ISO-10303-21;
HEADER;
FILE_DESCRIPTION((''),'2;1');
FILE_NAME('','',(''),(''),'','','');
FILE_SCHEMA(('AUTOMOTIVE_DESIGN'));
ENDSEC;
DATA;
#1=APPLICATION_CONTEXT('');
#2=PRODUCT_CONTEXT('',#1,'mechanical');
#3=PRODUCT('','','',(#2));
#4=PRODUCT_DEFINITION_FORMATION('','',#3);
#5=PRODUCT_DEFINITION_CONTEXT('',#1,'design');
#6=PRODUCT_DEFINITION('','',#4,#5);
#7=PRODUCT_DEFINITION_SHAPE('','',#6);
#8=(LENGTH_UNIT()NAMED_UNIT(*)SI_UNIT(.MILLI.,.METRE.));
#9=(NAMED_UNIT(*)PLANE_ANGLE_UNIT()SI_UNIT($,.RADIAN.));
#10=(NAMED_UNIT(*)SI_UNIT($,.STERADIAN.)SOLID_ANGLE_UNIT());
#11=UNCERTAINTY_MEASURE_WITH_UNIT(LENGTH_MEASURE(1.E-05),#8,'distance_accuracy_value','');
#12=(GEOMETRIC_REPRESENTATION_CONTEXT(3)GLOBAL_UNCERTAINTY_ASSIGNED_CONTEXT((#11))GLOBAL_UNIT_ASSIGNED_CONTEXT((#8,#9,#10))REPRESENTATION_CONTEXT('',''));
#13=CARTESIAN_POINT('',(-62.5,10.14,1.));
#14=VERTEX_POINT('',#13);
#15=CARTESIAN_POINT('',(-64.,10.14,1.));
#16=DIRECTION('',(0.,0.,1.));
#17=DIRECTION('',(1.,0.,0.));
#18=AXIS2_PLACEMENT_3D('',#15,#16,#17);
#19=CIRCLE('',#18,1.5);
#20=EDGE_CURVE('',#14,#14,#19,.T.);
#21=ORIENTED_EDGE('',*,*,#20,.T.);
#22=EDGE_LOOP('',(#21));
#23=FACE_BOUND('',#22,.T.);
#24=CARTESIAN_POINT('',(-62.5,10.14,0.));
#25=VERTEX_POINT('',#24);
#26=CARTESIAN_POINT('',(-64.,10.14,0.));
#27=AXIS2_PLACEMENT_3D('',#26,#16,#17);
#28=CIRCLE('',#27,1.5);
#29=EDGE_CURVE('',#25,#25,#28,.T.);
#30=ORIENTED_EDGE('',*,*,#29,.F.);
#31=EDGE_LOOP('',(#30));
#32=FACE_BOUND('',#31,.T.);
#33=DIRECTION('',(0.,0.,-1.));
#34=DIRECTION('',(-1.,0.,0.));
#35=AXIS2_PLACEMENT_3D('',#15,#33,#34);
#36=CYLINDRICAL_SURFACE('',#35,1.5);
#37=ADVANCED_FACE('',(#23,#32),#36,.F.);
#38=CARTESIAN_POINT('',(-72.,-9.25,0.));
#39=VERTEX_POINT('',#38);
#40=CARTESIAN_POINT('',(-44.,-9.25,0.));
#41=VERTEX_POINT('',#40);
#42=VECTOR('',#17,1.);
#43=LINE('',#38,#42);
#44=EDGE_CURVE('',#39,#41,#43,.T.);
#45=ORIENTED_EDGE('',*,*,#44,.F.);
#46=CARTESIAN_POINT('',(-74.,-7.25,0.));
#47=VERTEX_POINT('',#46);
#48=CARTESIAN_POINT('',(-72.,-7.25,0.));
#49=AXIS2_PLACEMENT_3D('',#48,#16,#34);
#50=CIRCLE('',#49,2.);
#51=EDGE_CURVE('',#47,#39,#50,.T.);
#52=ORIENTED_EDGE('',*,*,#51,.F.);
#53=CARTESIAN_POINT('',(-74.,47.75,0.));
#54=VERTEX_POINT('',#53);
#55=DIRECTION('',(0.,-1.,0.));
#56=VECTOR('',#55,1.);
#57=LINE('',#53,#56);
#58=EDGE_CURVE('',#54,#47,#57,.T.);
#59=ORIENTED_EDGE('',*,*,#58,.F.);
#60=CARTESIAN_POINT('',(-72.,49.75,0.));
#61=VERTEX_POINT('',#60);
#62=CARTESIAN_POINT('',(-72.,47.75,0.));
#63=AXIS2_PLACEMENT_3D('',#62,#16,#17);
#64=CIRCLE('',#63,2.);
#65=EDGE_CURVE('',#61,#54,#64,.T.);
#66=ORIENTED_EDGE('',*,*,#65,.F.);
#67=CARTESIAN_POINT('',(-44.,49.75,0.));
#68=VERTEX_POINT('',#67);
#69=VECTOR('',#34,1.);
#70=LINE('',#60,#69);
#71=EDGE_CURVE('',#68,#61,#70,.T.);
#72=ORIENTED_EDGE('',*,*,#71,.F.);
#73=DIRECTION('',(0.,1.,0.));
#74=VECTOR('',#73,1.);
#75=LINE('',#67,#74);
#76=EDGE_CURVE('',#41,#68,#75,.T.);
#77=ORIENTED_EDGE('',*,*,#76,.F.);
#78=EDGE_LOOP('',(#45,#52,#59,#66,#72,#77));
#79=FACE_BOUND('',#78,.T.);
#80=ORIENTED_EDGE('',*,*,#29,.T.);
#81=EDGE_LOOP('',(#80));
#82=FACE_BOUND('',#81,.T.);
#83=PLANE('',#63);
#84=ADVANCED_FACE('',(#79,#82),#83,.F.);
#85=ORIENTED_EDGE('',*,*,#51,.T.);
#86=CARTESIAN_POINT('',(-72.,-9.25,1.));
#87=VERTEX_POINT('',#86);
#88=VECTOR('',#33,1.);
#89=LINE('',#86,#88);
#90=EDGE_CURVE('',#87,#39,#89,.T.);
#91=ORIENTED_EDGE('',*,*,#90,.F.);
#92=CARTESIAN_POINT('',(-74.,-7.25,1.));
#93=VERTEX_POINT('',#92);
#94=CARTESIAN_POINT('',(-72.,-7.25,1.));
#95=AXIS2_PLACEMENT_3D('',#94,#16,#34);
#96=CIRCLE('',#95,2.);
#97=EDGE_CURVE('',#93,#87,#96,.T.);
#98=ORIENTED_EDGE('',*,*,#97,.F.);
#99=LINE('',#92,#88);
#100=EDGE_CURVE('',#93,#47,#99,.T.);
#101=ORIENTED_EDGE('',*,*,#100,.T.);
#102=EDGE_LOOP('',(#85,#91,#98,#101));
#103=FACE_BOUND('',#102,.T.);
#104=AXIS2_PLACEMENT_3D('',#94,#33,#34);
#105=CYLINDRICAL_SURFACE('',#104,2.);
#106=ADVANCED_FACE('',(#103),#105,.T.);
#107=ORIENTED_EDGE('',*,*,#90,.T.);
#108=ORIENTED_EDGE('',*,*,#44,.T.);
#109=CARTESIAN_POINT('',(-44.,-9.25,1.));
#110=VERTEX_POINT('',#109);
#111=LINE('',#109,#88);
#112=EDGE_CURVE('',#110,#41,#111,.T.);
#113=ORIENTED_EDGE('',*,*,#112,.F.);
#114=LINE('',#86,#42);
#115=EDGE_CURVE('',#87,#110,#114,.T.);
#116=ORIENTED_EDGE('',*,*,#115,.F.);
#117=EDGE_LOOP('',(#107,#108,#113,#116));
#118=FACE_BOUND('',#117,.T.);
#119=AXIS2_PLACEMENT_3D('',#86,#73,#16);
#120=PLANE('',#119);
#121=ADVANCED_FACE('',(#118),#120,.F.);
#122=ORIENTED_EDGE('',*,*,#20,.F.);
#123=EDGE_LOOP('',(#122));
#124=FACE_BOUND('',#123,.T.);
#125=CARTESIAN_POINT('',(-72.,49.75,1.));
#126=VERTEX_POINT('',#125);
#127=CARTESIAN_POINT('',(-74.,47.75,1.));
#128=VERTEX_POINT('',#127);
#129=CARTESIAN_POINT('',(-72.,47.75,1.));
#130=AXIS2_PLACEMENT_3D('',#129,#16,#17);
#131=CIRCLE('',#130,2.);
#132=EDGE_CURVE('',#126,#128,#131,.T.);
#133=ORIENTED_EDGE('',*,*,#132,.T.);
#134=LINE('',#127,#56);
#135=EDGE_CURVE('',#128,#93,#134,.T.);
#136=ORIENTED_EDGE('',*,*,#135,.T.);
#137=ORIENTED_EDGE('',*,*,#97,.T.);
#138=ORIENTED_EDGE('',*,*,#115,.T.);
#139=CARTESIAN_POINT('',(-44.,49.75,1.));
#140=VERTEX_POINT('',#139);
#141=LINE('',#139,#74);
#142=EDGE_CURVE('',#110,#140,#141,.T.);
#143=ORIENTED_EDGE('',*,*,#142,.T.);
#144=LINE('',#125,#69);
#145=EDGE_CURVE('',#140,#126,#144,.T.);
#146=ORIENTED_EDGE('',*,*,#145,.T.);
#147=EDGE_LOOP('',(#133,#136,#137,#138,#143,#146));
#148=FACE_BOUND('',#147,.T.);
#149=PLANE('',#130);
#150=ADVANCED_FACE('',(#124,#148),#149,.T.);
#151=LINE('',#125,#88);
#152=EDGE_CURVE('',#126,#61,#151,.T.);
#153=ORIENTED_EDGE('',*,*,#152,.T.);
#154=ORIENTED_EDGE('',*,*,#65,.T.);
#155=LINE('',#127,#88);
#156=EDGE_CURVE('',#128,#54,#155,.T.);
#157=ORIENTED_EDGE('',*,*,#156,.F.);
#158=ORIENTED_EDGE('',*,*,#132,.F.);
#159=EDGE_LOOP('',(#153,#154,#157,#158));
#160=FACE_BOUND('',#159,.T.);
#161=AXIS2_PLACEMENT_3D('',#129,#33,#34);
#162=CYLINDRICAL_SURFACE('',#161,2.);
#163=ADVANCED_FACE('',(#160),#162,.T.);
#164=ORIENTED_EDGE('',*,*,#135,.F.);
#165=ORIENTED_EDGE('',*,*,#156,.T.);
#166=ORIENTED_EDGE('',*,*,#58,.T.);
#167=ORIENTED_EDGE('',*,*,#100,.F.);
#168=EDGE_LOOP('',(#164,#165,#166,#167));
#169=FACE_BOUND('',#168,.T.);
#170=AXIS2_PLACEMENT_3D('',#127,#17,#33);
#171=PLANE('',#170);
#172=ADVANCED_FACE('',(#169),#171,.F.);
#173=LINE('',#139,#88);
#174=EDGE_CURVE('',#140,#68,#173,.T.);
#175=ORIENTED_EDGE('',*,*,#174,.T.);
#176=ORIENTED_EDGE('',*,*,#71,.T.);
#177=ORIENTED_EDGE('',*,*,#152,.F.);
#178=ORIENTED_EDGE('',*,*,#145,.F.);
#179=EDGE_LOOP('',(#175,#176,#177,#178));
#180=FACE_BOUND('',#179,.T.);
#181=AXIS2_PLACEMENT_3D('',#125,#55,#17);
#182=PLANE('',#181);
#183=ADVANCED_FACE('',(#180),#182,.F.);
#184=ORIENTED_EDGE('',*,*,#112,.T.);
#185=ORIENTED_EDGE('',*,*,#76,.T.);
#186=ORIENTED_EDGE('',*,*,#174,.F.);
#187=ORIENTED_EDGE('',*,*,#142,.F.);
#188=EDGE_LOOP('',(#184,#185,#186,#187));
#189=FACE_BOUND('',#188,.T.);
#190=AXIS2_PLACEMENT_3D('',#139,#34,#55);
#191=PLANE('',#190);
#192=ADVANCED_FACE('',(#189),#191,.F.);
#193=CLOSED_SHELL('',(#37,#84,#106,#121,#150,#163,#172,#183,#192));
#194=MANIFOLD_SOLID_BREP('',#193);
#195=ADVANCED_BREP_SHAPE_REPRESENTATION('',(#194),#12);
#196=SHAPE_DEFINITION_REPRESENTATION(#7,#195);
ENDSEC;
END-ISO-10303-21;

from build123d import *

# Parameters (mm, degrees)
SKETCH1_R           = 1.5
BOSS_EXTRUDE1_DEPTH = 1


with BuildPart() as part:
    # Sketch1 → Boss-Extrude1 (new body)
    with BuildSketch(Plane.XY):
        with BuildLine():
            Line((-44, 49.75), (-44, -9.25))
            Line((-44, -9.25), (-72, -9.25))
            ThreePointArc((-72, -9.25), (-73.414213562, -8.664213562), (-74, -7.25))
            Line((-74, -7.25), (-74, 47.75))
            ThreePointArc((-74, 47.75), (-73.414213562, 49.164213562), (-72, 49.75))
            Line((-72, 49.75), (-44, 49.75))
        make_face()
        with Locations((-64, 10.14)):
            Circle(SKETCH1_R, mode=Mode.SUBTRACT)
    extrude(amount=BOSS_EXTRUDE1_DEPTH)


solid = part.part
